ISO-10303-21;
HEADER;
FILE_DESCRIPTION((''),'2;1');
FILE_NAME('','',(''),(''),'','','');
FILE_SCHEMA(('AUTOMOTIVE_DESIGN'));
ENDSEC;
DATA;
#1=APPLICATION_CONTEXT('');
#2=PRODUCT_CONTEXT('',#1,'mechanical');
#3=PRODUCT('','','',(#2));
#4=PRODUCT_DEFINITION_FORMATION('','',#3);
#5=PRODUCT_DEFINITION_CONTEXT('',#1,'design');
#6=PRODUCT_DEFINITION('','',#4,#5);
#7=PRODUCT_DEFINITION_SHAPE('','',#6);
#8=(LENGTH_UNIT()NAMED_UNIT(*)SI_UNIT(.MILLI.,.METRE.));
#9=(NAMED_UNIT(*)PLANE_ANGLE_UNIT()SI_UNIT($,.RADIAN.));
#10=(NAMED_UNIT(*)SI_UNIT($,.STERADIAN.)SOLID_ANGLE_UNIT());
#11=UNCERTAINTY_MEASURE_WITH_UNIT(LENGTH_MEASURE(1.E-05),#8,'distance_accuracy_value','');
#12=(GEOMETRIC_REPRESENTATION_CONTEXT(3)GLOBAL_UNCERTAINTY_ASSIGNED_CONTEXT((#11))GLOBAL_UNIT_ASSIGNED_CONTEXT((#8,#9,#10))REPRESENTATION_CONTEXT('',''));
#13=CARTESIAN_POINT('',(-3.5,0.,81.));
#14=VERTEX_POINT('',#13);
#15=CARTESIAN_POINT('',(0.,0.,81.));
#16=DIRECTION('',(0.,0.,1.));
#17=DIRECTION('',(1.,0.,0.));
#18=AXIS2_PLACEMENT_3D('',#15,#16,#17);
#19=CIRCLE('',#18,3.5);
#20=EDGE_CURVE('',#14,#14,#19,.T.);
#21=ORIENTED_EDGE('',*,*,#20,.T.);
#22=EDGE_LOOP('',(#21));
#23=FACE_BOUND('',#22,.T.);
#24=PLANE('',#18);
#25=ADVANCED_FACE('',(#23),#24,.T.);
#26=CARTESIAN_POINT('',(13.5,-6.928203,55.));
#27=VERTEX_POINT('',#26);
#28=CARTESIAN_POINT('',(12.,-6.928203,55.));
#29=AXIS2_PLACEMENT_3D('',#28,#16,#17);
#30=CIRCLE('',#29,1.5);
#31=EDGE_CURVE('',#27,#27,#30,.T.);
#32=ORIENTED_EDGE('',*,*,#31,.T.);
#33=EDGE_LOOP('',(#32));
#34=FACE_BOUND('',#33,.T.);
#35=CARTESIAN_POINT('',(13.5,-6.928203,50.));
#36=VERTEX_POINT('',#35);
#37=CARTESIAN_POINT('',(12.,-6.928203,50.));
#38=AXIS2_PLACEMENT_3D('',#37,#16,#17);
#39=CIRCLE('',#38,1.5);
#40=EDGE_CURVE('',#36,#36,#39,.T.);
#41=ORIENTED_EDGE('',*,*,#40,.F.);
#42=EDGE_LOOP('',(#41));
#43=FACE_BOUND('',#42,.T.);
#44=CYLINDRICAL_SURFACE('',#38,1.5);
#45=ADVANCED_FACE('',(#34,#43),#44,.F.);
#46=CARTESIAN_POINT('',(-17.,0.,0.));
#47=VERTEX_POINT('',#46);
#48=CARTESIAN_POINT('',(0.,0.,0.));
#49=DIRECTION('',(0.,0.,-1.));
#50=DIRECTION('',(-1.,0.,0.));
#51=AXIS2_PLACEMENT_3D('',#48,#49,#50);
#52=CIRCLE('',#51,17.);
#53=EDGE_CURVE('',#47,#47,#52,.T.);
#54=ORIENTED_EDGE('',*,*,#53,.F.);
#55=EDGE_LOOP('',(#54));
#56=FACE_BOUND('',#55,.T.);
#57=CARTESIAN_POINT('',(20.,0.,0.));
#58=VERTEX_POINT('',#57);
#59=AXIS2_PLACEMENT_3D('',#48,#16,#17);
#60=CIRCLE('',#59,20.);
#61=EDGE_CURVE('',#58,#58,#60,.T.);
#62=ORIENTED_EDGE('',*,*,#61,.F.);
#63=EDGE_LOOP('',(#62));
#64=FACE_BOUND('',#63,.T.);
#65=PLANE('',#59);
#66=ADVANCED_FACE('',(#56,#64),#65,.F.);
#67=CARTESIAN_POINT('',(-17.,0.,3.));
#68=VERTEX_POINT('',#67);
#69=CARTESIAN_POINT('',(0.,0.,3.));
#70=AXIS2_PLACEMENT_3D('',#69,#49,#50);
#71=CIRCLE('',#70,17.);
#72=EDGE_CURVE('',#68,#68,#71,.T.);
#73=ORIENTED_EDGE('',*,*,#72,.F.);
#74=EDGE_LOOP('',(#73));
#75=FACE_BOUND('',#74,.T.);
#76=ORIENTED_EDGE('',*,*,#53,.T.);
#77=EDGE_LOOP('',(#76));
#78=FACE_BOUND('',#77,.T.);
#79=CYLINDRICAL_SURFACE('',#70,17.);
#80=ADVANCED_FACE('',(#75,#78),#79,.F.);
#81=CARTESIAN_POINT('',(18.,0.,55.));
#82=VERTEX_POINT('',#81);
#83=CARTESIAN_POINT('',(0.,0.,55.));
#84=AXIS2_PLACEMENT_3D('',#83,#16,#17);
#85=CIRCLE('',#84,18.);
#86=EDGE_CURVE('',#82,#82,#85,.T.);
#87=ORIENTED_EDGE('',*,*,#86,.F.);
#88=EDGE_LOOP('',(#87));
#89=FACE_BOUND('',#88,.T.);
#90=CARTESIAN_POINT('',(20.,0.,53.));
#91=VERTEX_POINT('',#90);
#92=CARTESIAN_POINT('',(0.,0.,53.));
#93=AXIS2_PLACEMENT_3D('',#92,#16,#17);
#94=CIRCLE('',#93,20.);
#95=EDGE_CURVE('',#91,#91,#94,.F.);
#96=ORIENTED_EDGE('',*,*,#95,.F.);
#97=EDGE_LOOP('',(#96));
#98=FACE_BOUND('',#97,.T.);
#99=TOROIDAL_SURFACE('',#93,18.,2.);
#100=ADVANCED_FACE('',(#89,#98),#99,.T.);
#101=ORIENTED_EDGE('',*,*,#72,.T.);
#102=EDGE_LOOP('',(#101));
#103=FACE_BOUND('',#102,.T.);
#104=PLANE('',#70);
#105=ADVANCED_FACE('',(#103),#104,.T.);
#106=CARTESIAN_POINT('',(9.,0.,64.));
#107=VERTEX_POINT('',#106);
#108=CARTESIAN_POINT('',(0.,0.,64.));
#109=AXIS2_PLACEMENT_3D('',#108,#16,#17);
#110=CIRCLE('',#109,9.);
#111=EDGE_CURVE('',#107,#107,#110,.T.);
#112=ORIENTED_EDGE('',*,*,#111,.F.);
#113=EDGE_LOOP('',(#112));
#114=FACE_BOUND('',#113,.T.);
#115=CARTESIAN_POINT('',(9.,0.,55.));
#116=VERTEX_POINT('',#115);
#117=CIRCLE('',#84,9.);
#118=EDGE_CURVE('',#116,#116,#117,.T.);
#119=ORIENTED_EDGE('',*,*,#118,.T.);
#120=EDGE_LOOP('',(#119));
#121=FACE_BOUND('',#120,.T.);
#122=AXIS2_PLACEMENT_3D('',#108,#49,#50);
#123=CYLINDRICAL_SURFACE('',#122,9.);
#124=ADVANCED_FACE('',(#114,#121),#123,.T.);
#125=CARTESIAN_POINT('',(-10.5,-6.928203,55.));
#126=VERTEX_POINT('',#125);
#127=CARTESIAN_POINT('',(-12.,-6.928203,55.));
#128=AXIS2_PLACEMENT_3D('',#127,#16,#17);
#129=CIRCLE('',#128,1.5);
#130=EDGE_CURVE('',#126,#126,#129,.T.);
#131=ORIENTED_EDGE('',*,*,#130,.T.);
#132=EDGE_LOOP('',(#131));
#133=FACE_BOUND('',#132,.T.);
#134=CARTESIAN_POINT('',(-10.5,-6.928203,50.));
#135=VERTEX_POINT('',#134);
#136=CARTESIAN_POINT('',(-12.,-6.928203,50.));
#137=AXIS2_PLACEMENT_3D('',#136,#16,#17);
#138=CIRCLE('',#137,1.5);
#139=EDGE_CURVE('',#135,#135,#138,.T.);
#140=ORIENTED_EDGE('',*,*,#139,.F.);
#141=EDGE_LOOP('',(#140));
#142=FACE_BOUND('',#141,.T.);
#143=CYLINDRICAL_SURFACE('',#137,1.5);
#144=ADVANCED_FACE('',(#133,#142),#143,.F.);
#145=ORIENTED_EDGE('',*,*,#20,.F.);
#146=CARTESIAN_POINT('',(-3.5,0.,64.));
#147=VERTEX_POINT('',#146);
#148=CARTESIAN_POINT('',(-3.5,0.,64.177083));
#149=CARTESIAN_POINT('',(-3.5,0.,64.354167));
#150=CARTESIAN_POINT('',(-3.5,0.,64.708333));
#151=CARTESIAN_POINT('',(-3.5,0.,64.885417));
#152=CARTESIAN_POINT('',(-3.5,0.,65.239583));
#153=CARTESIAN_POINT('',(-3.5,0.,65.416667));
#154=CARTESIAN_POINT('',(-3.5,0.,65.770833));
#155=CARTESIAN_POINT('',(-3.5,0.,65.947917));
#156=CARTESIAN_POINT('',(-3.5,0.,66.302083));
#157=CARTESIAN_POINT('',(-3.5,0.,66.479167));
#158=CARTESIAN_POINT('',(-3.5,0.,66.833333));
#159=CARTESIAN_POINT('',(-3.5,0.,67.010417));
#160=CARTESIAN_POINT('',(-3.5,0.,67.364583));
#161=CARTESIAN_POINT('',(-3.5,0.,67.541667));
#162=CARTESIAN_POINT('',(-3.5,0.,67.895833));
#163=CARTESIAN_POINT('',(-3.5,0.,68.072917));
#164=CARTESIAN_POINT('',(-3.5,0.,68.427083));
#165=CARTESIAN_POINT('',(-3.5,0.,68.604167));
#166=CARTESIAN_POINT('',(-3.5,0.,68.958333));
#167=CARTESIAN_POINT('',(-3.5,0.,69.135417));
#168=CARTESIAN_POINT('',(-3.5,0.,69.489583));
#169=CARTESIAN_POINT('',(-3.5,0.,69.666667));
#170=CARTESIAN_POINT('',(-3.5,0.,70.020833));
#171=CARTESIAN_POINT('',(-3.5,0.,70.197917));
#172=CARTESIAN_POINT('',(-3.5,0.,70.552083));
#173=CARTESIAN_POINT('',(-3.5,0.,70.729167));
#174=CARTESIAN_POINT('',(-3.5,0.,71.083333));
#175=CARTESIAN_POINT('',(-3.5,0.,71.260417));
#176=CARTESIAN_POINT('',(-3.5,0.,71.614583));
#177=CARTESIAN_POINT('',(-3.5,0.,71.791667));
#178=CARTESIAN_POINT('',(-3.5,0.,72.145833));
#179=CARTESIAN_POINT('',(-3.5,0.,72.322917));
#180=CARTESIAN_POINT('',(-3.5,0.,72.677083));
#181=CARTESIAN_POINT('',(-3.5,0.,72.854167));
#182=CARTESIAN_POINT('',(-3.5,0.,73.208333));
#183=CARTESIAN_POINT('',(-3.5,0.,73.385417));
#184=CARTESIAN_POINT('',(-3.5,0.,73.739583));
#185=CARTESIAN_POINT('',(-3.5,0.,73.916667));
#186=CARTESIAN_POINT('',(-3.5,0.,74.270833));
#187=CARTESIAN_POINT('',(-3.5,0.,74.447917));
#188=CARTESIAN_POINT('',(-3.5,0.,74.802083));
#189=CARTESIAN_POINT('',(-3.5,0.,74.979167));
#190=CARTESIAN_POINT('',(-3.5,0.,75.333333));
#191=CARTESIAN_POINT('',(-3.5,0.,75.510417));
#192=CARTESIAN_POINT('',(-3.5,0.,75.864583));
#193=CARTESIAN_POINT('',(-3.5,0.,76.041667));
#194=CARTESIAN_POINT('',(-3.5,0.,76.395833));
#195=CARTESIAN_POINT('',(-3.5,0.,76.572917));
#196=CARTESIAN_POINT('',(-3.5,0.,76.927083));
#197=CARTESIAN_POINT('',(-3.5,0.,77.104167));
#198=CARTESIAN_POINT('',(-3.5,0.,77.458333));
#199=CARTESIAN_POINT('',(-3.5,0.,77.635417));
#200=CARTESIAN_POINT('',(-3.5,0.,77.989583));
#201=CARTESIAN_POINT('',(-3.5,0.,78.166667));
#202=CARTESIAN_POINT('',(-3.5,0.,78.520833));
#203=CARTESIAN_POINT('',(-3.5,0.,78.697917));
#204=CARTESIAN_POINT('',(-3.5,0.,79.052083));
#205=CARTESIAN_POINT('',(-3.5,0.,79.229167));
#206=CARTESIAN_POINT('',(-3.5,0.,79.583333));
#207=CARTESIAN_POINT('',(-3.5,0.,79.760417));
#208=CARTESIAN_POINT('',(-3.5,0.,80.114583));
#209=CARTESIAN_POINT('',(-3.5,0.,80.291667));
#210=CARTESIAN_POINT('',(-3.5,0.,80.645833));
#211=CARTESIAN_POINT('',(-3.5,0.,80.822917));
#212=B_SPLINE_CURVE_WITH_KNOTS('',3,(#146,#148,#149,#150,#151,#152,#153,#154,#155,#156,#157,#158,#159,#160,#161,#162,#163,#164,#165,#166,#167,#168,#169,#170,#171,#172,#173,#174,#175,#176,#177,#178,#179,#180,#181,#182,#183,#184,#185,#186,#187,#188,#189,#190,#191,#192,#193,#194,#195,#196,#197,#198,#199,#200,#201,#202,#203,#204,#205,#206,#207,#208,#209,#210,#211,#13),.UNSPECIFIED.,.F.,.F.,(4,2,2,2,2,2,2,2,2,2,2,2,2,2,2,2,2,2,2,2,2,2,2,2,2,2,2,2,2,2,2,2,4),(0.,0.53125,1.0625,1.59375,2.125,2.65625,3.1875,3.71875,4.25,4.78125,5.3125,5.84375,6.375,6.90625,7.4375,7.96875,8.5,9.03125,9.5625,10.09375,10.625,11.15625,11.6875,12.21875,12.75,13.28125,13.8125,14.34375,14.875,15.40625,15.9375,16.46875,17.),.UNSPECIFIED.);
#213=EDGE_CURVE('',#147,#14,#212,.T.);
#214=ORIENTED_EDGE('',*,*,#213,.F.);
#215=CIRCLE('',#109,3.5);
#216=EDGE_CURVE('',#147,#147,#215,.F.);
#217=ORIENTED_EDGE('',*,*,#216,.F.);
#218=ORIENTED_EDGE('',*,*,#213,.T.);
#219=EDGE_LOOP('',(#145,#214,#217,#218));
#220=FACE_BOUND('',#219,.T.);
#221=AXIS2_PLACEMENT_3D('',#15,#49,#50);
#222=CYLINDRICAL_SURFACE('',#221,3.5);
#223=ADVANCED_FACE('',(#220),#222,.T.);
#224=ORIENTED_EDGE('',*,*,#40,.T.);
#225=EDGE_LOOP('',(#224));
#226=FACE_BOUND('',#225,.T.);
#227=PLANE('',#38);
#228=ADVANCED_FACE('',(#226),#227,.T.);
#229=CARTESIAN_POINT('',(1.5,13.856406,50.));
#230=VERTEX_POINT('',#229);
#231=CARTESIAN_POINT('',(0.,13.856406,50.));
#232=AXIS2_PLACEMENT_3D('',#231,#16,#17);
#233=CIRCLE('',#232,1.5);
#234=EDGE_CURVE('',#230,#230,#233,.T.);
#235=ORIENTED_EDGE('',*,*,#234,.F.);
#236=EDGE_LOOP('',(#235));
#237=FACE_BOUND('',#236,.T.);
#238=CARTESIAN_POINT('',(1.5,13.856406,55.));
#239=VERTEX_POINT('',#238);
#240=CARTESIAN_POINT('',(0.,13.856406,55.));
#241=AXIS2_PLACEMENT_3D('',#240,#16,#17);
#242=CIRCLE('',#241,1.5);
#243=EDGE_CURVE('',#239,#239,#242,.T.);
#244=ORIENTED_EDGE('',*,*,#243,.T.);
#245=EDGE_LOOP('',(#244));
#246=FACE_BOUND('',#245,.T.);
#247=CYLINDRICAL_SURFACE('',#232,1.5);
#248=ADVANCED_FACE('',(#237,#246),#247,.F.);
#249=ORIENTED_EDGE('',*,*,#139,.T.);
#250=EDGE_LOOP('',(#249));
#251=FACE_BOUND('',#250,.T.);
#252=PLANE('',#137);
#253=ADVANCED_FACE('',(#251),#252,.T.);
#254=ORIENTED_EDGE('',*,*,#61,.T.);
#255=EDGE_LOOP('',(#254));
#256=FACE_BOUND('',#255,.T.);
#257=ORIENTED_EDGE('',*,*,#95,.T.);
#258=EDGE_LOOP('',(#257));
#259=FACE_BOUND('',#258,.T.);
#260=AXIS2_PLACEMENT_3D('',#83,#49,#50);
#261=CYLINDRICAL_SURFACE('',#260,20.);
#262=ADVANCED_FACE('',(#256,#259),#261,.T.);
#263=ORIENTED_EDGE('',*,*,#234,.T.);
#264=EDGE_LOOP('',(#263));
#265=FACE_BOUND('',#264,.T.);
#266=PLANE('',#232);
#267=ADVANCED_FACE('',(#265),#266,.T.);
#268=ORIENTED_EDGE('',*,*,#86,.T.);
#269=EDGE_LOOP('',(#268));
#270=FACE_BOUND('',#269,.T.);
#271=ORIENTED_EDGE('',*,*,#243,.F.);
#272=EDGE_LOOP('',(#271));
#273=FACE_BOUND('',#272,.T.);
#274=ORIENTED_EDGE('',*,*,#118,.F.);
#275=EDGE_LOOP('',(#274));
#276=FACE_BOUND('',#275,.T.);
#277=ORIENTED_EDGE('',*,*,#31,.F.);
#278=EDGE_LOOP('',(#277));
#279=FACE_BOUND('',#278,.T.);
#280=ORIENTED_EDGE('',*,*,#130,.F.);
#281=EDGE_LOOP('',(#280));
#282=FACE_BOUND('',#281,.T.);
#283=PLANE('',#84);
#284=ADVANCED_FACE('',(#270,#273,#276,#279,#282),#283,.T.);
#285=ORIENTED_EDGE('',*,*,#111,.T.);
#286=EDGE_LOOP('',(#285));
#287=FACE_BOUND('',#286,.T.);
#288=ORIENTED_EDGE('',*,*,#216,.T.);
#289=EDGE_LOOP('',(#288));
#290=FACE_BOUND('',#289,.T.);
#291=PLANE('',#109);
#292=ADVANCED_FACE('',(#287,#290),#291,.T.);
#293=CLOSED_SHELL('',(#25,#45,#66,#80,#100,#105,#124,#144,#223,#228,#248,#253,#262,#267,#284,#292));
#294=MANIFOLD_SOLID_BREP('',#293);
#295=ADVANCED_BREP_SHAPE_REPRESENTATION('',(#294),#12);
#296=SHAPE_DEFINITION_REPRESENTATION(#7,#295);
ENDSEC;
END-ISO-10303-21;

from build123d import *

# Parameters (mm, degrees)
SKETCH1_R               = 20
BOSS_EXTRUDE1_DEPTH     = 55
SKETCH3_R               = 9
BOSS_EXTRUDE2_DEPTH     = 9
CUT_EXTRUDE1_DEPTH      = 100
CUT_EXTRUDE1_DEPTH_BACK = 2
SKETCH2_R               = 3.5
SKETCH6_R               = 3.5
BOSS_EXTRUDE3_DEPTH     = 28
SKETCH7_R               = 17
CUT_EXTRUDE2_DEPTH      = 3
FILLET2_R               = 2
SKETCH8_R               = 1.5
CUT_EXTRUDE3_DEPTH      = 5


with BuildPart() as part:
    # Sketch1 → Boss-Extrude1 (new body)
    with BuildSketch(Plane.XY):
        Circle(SKETCH1_R)
    extrude(amount=BOSS_EXTRUDE1_DEPTH)

    # Sketch3 → Boss-Extrude2 (add)
    with BuildSketch(Plane.XY.offset(55)):
        Circle(SKETCH3_R)
    extrude(amount=BOSS_EXTRUDE2_DEPTH)

    # Sketch2 → Cut-Extrude1 (cut, two sides: drawn at the far end of the back side and taken through both)
    with BuildSketch(Plane.XY.offset(55).offset(-CUT_EXTRUDE1_DEPTH_BACK)):
        Circle(SKETCH2_R)
    extrude(amount=CUT_EXTRUDE1_DEPTH + CUT_EXTRUDE1_DEPTH_BACK, mode=Mode.SUBTRACT)

    # Sketch6 → Boss-Extrude3 (add)
    with BuildSketch(Plane.XY.offset(53)):
        with Locations(Location((0, 0, 0), (0, 0, 180))):
            Circle(SKETCH6_R)
    extrude(amount=BOSS_EXTRUDE3_DEPTH)

    # Sketch7 → Cut-Extrude2 (cut)
    with BuildSketch(Plane(origin=(0, 0, 0), x_dir=(-1, 0, 0), z_dir=(0, 0, -1))):
        Circle(SKETCH7_R)
    extrude(amount=-CUT_EXTRUDE2_DEPTH, mode=Mode.SUBTRACT)

    # Fillet2
    fillet2_edges = [part.edges().sort_by_distance(p)[0] for p in [
        (-20, 0, 55),
    ]]
    fillet(fillet2_edges, radius=FILLET2_R)

    # Sketch8 → Cut-Extrude3 (cut)
    with BuildSketch(Plane.XY.offset(55)):
        with Locations((0, 13.856406461)):
            Circle(SKETCH8_R)
        with Locations((-12, -6.92820323)):
            Circle(SKETCH8_R)
        with Locations((12, -6.92820323)):
            Circle(SKETCH8_R)
    extrude(amount=-CUT_EXTRUDE3_DEPTH, mode=Mode.SUBTRACT)


solid = part.part
